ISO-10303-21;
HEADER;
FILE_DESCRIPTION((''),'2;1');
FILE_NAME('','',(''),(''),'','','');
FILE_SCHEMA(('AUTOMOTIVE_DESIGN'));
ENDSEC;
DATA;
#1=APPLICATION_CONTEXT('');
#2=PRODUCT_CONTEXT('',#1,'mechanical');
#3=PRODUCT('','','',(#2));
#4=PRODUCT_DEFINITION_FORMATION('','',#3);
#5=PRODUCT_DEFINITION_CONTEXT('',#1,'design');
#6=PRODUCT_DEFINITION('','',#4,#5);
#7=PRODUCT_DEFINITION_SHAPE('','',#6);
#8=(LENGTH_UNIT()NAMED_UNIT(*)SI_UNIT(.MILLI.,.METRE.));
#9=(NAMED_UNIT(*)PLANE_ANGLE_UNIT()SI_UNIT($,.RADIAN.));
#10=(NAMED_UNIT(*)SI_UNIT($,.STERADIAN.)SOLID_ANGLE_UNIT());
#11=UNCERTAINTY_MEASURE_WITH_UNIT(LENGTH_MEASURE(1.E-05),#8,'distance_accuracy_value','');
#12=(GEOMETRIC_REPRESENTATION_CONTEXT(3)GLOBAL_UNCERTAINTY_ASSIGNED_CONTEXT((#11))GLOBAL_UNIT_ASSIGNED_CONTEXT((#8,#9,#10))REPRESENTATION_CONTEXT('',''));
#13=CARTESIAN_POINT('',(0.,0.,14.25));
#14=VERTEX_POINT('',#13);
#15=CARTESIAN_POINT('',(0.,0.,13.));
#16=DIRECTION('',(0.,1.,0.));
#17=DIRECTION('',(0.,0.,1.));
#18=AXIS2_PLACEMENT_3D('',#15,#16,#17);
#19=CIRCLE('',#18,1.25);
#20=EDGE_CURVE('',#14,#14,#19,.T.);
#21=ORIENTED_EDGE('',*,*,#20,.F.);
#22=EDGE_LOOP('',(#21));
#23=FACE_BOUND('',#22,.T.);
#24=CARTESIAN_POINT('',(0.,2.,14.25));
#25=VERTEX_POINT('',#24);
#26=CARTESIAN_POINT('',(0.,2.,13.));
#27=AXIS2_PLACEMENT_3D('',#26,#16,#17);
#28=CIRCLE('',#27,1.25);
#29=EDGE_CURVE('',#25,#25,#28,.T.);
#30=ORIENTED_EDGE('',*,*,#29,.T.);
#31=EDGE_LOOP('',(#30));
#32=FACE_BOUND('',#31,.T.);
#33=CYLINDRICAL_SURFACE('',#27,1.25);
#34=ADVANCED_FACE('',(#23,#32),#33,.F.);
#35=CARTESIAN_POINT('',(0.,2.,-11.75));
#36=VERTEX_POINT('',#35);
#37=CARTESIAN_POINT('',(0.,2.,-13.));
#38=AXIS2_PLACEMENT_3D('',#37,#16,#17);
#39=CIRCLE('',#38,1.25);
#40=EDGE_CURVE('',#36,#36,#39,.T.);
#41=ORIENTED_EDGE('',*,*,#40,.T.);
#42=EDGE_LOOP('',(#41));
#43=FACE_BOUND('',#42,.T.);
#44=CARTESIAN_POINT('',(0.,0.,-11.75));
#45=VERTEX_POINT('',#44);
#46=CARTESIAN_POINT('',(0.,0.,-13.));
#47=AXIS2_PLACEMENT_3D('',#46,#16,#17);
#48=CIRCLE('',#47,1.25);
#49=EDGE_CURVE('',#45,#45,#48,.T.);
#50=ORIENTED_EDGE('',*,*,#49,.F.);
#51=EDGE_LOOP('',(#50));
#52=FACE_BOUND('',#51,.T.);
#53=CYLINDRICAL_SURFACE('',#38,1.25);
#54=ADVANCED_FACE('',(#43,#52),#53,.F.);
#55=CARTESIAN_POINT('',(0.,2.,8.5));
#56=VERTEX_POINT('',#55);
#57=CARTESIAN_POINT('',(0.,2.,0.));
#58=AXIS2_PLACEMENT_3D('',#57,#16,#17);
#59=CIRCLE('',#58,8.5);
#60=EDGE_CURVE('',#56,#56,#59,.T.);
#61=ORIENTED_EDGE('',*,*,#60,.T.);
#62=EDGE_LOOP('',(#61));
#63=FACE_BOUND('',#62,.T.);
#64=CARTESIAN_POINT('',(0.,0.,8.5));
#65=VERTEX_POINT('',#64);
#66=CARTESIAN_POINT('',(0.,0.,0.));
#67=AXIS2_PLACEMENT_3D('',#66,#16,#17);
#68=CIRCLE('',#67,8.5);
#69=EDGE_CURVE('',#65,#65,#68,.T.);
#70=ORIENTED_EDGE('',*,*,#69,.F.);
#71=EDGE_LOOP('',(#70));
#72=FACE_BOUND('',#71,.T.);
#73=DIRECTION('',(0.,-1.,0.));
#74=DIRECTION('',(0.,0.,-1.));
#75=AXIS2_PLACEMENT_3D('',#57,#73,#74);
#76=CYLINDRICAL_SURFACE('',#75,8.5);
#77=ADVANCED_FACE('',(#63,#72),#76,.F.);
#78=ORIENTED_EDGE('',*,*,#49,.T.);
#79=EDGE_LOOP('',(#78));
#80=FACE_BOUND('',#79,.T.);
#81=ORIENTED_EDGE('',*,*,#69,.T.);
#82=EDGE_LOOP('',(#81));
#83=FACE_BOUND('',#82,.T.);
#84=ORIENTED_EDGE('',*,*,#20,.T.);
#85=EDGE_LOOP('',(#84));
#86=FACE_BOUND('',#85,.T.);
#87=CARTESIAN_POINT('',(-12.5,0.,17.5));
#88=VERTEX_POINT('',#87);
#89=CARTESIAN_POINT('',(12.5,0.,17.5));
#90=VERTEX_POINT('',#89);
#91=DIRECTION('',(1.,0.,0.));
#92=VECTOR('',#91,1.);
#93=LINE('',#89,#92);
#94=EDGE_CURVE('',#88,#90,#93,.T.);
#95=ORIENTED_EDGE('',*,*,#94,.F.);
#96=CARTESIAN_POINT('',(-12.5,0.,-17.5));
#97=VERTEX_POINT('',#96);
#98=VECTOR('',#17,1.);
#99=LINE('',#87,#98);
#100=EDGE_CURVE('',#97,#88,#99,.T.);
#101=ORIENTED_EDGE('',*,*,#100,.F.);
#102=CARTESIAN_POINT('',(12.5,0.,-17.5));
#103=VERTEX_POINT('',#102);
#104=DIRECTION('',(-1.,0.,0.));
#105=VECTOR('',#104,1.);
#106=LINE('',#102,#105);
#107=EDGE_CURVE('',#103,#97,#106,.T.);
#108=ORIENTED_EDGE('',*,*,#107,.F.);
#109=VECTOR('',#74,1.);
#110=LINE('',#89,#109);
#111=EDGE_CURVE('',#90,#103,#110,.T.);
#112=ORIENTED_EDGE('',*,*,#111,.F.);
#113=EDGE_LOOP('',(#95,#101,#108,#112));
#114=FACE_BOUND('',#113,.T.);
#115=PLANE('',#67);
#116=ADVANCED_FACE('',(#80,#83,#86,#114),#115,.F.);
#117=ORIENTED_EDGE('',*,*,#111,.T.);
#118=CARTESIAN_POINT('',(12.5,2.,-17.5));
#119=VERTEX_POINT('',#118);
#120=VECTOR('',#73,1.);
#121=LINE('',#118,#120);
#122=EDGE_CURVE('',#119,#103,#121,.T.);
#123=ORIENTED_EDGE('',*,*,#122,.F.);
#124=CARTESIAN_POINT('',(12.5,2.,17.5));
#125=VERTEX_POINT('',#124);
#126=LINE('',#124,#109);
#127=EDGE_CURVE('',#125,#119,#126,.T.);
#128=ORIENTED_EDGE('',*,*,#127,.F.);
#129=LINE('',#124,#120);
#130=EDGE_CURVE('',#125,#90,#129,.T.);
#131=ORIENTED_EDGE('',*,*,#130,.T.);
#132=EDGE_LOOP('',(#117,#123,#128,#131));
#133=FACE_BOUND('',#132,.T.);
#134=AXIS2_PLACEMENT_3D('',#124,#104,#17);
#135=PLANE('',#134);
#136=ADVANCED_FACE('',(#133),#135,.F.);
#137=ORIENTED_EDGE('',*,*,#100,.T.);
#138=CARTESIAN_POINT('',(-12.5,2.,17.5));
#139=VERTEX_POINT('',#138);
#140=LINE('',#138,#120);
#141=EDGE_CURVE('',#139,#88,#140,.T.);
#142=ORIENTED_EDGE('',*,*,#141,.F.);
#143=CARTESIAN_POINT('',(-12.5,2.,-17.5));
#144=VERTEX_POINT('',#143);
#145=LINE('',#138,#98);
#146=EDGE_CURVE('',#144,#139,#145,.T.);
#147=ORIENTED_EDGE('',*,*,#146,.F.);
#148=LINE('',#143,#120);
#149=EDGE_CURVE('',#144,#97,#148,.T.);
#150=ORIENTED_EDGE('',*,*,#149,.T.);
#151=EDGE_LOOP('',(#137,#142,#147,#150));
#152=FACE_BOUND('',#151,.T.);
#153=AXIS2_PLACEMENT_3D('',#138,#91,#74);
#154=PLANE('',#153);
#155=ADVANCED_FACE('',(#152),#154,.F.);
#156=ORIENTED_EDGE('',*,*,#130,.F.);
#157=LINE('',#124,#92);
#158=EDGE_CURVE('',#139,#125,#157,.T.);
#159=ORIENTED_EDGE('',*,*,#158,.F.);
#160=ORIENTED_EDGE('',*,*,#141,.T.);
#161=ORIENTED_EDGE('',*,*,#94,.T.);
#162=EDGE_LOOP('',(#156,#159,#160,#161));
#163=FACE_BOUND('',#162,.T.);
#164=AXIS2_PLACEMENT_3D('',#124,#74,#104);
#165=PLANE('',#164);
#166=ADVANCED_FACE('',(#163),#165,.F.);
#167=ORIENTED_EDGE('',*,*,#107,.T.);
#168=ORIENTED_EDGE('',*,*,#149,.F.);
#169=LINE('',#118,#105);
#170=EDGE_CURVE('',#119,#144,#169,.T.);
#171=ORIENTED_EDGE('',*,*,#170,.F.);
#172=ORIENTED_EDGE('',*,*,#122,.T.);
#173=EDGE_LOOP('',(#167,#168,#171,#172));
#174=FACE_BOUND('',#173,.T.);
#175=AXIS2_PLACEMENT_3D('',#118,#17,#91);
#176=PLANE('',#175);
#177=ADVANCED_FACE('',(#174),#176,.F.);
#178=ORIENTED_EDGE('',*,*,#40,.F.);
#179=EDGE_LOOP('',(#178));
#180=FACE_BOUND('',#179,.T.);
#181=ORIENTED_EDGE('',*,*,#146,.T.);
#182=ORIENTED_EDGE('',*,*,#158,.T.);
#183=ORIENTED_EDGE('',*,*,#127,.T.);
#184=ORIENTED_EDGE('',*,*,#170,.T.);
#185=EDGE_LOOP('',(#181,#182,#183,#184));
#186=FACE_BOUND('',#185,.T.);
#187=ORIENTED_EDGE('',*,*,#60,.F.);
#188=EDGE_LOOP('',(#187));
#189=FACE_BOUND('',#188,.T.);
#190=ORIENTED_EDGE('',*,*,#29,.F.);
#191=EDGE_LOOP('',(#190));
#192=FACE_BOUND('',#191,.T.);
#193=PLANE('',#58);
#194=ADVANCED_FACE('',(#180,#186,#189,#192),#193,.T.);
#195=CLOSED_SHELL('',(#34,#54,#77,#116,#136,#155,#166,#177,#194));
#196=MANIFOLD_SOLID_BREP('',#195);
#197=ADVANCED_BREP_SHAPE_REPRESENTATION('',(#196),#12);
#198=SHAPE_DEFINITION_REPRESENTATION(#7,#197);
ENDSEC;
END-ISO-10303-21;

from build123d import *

# Parameters (mm, degrees)
SKETCH_1_W               = 25
SKETCH_1_H               = 35
SKETCH_1_R               = 8.5
EXTRUDE_4_DEPTH          = 2
HOLE_WIZARD_M3_1_D       = 2.5
PATTERN_CIRCULAR_1_COUNT = 2


with BuildPart() as part:
    # 스케치1 → 보스-돌출4 (new body)
    with BuildSketch(Plane(origin=(0, 0, 0), x_dir=(1, 0, 0), z_dir=(0, 1, 0))):
        Rectangle(SKETCH_1_W, SKETCH_1_H)
        Circle(SKETCH_1_R, mode=Mode.SUBTRACT)
    extrude(amount=EXTRUDE_4_DEPTH)

    # M3 탭을 위한 탭 드릴1 (through all)
    with Locations(Plane(origin=(0, 2, 0), x_dir=(1, 0, 0), z_dir=(0, 1, 0))):
        with Locations((0, 13)):
            hole_wizard_m3_1 = Hole(HOLE_WIZARD_M3_1_D / 2)

    # 원형 패턴1: M3 탭을 위한 탭 드릴1 ×2 about axis
    pattern_circular_1_axis = Axis((0, 0, 0), (0, 1, 0))
    for i in range(1, PATTERN_CIRCULAR_1_COUNT):
        add(hole_wizard_m3_1.rotate(pattern_circular_1_axis, i * 360 / PATTERN_CIRCULAR_1_COUNT), mode=Mode.SUBTRACT)


solid = part.part
